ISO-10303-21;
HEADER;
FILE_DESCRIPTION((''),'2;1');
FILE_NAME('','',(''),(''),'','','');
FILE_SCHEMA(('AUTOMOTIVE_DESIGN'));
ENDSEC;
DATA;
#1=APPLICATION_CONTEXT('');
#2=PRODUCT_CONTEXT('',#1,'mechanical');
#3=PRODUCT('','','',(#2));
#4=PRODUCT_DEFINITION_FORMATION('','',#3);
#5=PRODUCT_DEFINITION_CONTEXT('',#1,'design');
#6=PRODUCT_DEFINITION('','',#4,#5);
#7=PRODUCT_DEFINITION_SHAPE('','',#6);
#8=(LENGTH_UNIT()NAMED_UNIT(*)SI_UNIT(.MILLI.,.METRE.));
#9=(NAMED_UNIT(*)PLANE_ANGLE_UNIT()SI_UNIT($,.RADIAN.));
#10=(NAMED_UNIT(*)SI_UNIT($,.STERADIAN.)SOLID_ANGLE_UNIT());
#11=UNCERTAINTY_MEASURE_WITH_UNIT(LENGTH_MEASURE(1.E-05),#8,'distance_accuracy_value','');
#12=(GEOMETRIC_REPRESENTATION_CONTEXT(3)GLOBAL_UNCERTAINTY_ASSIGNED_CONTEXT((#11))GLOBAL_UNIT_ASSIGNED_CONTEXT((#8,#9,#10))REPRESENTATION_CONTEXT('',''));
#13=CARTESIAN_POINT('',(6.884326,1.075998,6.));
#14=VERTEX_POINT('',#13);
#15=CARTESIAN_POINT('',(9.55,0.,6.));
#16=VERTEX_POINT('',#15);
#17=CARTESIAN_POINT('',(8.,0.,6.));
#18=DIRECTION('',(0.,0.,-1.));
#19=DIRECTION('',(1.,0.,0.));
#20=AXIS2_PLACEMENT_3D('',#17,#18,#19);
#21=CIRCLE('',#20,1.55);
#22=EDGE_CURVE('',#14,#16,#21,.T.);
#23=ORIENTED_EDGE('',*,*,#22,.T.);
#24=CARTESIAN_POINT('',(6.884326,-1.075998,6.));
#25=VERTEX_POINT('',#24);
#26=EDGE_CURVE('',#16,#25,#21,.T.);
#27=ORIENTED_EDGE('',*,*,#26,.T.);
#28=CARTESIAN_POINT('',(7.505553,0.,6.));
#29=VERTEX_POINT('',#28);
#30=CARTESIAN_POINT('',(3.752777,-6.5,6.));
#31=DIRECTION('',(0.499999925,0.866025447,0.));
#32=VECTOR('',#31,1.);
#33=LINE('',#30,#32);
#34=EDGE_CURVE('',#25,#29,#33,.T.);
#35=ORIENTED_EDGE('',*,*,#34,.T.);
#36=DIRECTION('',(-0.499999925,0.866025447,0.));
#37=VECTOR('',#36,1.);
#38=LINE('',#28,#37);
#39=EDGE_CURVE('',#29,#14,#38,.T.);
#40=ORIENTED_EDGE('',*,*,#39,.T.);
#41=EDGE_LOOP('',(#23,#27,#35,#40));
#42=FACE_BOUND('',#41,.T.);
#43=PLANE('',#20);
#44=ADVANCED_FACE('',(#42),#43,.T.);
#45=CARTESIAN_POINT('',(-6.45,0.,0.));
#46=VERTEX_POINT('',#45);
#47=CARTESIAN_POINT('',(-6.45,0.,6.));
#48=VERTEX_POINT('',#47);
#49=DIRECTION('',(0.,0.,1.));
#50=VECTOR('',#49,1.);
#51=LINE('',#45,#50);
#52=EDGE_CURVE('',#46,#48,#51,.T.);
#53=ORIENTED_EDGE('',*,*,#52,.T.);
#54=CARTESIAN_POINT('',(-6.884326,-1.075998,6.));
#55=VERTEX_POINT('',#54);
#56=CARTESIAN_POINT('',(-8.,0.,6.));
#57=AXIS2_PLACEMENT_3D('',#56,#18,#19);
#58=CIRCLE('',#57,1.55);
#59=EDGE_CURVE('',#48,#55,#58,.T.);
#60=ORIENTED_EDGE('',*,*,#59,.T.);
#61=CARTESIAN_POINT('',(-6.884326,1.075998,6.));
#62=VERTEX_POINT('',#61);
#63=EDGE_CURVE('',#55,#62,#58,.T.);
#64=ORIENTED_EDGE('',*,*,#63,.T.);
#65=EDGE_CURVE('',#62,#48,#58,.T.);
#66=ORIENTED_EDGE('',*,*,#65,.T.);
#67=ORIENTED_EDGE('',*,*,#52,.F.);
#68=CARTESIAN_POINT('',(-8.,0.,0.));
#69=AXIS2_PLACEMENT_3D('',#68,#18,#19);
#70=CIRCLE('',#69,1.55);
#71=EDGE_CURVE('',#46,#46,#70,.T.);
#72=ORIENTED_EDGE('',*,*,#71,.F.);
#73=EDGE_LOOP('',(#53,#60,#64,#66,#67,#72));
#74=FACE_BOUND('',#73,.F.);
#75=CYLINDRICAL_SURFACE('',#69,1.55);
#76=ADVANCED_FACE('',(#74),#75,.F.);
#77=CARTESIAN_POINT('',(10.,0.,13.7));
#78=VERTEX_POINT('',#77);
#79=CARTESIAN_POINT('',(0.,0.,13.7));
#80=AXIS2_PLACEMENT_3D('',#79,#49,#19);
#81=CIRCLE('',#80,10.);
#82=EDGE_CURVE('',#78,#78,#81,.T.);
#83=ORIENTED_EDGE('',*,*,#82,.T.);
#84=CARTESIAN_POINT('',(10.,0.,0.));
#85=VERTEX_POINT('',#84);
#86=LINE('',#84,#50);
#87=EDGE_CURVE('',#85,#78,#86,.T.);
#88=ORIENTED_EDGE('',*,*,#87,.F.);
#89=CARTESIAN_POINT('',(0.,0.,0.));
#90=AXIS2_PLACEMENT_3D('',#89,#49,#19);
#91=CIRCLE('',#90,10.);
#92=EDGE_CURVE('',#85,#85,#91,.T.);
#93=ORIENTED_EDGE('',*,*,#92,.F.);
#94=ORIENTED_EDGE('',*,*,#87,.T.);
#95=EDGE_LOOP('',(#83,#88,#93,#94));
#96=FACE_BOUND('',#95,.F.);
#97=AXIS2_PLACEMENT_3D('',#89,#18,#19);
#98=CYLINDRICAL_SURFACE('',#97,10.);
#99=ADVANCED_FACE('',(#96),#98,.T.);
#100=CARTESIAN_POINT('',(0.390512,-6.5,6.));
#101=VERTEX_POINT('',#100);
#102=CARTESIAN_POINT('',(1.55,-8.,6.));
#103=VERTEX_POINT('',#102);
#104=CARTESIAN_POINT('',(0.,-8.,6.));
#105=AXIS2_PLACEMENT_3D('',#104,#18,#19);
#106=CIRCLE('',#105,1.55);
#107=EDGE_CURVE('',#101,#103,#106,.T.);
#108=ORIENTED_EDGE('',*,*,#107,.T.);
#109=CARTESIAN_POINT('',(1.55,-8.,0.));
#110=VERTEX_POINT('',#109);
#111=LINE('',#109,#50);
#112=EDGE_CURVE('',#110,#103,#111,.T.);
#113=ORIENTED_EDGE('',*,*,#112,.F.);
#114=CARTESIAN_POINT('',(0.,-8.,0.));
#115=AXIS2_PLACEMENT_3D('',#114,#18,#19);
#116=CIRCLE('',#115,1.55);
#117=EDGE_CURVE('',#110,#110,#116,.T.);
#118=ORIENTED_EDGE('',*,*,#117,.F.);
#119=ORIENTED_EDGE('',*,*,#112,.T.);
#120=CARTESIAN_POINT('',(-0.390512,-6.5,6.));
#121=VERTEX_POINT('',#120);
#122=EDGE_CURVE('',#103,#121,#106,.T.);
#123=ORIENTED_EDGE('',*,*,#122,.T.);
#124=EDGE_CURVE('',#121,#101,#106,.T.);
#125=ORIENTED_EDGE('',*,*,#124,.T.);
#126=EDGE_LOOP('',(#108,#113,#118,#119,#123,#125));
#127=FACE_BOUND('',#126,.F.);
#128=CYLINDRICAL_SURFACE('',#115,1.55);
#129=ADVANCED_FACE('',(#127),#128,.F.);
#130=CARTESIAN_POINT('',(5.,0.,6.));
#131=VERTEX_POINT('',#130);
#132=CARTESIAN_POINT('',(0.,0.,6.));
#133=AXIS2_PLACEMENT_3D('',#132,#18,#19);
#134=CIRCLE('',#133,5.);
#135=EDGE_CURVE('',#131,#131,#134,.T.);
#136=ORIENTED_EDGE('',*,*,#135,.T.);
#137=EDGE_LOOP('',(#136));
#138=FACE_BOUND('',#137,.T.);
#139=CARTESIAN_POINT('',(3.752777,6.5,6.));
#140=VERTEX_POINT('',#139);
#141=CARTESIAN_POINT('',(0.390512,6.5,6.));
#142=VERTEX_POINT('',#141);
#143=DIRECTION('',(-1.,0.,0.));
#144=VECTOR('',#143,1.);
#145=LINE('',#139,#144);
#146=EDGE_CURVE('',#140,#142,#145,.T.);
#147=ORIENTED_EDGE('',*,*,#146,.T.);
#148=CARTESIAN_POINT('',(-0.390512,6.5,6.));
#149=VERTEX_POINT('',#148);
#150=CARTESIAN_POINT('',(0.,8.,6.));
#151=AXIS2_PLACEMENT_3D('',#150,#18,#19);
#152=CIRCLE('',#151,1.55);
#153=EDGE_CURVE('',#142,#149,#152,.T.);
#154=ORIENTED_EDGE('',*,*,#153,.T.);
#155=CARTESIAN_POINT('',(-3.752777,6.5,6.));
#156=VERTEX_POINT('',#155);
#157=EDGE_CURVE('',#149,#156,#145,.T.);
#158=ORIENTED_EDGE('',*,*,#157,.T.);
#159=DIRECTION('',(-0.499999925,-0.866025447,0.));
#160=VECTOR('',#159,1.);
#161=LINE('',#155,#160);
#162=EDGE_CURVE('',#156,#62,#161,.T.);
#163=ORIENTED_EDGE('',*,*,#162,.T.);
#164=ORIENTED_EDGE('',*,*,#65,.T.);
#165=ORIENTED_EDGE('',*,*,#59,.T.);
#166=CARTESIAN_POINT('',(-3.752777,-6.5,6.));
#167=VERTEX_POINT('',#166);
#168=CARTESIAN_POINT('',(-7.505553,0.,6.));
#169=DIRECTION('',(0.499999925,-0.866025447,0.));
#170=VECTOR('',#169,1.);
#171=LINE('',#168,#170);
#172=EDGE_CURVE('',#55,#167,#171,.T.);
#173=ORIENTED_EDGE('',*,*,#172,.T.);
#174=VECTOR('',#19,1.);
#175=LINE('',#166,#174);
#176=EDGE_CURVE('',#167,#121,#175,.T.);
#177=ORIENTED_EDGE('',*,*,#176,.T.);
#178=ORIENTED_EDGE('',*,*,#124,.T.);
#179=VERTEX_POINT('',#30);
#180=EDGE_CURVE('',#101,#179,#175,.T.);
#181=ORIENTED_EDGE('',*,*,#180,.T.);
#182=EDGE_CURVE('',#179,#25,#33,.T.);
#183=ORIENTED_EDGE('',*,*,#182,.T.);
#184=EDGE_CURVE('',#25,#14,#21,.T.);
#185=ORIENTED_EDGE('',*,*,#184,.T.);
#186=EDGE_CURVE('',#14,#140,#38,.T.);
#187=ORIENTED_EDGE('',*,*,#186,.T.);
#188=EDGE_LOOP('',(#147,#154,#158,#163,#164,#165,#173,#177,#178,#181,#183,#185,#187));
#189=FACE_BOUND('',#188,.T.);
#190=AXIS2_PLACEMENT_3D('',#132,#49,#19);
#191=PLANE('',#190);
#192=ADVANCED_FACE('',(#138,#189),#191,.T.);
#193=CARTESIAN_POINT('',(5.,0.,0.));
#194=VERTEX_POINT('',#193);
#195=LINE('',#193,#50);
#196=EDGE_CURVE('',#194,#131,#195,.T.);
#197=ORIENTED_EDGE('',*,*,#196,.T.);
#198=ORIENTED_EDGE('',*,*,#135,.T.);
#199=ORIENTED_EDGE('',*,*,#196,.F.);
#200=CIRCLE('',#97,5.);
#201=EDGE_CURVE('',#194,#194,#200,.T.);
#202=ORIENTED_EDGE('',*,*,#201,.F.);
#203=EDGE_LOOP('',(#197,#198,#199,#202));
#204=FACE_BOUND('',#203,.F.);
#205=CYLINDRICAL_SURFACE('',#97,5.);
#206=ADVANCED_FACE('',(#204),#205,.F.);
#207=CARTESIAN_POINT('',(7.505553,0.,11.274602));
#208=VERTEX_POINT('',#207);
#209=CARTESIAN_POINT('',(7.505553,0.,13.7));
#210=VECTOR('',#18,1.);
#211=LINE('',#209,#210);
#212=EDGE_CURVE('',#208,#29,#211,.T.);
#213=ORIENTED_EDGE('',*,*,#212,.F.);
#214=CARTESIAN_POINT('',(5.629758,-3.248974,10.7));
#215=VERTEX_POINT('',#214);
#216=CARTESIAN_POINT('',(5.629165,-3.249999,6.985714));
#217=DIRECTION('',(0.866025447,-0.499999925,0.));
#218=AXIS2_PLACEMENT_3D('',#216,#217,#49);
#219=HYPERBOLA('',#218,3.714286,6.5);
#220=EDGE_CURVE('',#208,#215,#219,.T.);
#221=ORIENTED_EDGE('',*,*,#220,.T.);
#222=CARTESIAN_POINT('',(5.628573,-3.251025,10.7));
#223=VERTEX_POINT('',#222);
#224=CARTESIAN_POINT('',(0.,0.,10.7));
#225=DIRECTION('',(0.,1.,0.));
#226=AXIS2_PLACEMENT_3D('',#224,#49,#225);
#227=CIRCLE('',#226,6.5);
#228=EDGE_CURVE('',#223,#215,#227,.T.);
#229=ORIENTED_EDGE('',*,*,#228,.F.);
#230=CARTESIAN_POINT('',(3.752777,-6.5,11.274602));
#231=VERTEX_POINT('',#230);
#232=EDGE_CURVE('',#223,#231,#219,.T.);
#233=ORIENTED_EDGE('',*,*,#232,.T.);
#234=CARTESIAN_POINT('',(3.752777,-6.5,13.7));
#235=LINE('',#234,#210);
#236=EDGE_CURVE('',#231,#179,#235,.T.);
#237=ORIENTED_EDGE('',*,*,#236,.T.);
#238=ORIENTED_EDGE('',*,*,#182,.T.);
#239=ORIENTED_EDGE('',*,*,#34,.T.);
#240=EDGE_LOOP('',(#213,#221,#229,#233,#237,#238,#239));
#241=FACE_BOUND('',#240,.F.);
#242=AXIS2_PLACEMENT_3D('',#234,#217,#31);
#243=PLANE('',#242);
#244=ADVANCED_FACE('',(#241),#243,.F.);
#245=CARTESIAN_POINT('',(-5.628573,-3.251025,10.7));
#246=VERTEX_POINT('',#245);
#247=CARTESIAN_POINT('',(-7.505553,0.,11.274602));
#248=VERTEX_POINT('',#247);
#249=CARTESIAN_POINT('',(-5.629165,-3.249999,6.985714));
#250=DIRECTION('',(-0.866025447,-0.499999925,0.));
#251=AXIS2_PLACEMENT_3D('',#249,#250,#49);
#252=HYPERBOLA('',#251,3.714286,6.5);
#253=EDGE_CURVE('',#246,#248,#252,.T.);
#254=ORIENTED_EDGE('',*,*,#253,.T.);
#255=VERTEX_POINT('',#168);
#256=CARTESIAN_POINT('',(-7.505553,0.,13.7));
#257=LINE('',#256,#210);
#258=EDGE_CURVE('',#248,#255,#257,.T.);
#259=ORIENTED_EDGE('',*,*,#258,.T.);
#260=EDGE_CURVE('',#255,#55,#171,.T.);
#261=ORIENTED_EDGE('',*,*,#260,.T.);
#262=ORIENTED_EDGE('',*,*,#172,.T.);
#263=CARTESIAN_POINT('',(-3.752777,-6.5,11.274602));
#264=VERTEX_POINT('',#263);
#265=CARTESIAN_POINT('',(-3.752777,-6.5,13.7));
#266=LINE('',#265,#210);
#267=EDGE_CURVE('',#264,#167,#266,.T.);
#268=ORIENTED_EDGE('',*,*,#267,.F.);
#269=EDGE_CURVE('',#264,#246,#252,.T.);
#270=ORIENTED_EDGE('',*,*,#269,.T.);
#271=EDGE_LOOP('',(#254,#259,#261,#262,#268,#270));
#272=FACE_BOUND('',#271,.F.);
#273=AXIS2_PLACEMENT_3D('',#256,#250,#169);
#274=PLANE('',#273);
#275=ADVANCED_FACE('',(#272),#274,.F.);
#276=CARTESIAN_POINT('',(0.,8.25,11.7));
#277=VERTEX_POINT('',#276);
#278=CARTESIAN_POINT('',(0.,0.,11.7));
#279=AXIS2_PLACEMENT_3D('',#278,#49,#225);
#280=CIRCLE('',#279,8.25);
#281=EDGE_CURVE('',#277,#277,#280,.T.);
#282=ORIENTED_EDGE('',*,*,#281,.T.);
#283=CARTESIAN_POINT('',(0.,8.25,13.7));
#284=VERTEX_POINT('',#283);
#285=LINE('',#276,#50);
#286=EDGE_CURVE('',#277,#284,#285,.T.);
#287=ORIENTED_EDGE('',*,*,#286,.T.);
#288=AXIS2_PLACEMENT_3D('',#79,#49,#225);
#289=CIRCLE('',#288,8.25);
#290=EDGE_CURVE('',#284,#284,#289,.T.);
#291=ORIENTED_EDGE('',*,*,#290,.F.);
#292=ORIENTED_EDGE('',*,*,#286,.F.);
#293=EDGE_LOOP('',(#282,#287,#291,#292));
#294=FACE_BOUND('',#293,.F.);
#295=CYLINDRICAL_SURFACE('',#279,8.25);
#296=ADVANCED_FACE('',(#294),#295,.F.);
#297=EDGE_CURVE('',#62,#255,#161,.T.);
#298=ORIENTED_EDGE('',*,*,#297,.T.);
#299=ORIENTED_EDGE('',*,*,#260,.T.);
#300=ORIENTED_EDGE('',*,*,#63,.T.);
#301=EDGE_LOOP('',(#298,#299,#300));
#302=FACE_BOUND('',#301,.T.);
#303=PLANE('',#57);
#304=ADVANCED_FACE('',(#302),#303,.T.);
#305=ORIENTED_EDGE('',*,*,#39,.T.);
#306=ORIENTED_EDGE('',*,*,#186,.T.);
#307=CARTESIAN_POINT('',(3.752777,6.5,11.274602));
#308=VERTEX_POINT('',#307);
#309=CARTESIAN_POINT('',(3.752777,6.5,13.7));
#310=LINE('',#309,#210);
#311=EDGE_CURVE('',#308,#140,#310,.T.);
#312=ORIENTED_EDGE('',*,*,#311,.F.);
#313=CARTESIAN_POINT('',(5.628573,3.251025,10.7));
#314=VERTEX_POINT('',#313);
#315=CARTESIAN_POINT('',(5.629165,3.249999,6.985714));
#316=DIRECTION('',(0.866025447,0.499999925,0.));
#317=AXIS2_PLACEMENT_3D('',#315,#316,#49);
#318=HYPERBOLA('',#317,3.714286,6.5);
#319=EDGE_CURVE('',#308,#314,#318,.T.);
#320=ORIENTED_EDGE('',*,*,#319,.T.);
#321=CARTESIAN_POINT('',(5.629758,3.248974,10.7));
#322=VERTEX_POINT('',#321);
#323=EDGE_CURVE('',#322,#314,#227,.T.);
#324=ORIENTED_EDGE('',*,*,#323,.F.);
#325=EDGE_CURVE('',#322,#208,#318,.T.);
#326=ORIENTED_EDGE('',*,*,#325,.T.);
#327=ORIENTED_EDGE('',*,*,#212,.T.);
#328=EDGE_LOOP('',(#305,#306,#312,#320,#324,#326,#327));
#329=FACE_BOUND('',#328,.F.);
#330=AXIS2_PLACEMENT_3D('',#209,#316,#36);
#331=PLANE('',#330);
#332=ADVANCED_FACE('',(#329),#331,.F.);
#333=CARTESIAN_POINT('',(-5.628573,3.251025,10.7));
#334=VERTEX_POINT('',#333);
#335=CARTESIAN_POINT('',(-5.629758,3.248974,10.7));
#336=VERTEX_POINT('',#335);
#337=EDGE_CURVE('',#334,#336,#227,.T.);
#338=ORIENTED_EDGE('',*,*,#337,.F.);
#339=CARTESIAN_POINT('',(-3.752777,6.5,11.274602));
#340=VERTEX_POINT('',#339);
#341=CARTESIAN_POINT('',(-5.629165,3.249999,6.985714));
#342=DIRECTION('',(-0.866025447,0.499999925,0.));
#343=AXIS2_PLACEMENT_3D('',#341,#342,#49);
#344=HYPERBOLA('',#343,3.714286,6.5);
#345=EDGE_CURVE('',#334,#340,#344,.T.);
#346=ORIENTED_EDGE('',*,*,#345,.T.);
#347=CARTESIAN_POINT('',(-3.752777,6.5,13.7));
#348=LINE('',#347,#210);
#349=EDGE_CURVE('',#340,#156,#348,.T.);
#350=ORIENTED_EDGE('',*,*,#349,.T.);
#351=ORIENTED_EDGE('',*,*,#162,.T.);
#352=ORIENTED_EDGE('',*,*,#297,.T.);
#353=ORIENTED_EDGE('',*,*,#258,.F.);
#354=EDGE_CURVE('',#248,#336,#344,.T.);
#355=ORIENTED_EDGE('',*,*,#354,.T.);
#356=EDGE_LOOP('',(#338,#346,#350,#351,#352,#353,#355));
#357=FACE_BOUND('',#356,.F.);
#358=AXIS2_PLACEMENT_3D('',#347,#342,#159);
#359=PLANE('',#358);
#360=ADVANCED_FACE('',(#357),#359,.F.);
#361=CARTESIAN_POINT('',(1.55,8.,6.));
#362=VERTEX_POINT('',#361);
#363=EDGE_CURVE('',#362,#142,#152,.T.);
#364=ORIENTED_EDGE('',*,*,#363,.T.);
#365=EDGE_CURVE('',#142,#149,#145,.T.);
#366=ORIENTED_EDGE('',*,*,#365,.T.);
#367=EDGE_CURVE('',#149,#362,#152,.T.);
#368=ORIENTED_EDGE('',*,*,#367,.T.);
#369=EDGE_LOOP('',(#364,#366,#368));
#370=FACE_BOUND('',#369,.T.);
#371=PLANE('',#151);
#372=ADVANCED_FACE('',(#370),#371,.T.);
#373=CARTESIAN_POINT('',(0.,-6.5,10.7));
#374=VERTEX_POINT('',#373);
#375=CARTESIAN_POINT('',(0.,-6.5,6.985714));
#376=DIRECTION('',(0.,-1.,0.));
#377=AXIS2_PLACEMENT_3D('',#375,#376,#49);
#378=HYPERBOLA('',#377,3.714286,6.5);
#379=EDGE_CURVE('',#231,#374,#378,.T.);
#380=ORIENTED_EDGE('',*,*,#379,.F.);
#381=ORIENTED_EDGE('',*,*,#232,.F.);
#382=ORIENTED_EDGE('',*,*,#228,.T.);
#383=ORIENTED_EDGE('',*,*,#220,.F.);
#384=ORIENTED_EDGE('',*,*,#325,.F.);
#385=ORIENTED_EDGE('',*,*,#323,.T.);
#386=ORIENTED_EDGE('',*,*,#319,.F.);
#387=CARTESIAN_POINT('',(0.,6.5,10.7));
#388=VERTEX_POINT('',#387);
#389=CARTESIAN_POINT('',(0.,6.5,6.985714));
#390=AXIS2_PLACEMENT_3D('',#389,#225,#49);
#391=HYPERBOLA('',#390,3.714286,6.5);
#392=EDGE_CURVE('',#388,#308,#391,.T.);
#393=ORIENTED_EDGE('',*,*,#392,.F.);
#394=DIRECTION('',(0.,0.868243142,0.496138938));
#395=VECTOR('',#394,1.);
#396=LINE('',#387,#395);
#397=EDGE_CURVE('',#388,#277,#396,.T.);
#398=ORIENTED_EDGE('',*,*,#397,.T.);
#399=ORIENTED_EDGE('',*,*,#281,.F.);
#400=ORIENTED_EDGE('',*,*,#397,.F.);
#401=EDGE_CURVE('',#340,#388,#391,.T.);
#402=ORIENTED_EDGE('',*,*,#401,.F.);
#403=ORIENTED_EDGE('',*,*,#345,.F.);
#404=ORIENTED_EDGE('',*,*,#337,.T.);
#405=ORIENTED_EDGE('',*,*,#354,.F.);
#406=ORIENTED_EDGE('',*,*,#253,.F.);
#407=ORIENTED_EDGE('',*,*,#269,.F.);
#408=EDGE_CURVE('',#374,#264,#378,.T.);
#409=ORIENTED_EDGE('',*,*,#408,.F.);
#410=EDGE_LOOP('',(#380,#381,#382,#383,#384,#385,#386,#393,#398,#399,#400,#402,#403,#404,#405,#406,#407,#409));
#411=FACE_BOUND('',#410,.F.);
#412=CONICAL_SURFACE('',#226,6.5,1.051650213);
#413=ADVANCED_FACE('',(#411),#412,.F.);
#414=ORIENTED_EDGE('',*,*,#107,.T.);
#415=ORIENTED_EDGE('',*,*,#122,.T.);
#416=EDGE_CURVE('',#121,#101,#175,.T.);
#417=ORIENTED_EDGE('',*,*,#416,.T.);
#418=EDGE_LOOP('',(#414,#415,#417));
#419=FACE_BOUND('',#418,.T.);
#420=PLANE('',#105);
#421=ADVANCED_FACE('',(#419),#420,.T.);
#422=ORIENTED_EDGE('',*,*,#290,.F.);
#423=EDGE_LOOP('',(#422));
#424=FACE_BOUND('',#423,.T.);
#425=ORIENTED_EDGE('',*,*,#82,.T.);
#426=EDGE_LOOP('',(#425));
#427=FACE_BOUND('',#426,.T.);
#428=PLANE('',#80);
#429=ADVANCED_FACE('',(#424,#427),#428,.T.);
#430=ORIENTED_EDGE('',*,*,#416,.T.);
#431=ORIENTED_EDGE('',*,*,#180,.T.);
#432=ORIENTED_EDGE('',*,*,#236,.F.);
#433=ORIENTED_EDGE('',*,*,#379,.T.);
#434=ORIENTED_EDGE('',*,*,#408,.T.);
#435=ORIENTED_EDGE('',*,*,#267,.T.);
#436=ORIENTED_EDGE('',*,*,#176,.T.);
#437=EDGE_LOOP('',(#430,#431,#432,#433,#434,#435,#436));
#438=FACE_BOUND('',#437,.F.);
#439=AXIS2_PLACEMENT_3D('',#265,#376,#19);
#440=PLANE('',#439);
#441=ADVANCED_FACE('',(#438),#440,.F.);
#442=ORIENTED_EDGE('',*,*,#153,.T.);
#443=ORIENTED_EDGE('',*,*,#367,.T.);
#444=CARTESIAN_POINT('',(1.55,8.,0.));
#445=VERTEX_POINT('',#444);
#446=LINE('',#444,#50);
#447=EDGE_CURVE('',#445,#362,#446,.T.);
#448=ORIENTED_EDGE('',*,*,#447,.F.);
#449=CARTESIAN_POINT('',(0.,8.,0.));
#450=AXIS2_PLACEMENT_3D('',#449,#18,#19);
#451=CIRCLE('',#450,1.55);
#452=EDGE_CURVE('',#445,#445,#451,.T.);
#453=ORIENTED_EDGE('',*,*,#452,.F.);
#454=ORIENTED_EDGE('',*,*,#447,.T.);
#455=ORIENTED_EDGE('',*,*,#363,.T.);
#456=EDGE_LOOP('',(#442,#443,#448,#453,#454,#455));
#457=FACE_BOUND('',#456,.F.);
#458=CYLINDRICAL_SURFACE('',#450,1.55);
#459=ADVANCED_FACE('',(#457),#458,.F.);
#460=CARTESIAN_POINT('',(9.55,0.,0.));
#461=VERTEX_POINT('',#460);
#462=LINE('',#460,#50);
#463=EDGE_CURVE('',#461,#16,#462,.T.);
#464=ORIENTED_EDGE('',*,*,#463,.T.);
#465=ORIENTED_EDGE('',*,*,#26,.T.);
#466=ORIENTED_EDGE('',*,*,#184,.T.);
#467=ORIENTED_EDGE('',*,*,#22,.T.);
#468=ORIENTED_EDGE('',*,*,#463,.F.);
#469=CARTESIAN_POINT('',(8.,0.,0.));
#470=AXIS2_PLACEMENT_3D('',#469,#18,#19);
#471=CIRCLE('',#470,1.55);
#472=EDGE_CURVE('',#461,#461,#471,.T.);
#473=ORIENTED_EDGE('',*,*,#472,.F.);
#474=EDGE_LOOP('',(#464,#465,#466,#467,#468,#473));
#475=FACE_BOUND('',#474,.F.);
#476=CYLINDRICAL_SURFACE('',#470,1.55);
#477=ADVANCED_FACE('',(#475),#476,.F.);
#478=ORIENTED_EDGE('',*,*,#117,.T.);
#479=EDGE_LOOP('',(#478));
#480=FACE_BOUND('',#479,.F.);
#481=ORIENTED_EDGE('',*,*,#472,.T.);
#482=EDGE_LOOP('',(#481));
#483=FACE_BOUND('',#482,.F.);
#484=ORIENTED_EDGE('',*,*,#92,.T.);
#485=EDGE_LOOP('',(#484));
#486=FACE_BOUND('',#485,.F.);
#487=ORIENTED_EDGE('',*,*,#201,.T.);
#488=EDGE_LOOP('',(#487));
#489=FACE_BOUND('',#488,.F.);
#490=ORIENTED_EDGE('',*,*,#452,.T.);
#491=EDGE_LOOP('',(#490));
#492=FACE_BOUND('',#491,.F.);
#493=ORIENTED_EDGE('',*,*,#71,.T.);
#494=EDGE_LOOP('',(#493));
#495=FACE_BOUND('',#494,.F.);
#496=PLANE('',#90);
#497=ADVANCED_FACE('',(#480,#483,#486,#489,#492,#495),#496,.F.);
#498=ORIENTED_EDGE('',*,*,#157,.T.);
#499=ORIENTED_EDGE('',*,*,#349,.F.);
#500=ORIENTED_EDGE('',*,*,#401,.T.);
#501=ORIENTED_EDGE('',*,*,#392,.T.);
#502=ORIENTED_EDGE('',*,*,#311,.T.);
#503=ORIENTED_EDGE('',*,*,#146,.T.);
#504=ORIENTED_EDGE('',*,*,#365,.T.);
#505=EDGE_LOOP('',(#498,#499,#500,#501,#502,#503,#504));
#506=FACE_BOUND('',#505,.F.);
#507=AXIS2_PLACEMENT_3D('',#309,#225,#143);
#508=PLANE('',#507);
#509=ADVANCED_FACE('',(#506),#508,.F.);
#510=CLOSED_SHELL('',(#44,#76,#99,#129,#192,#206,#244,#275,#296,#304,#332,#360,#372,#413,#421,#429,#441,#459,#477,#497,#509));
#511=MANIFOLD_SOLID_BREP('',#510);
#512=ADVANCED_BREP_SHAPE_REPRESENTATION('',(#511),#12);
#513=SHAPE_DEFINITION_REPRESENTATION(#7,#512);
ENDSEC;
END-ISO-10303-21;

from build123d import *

# Parameters (mm, degrees)
F0_R     = 10
F1_DEPTH = 13.7
F3_DEPTH = 7.7
F5_R     = 1.55
F6_DEPTH = 6
F8_R     = 5
F9_DEPTH = 25


with BuildPart() as f1:
    # F0 (on Top) → F1 (new body)
    with BuildSketch(Plane.XY):
        Circle(F0_R)
    extrude(amount=F1_DEPTH)

    # F2 (on face) → F3 (cut)
    with BuildSketch(Plane.XY.offset(13.7)):
        Polygon((3.752777, 6.5), (-3.752777, 6.5), (-7.505553, 0), (-3.752777, -6.5), (3.752777, -6.5), (7.505553, 0), align=None)
    extrude(amount=-F3_DEPTH, mode=Mode.SUBTRACT)

    # F5 (on face) → F6 (cut)
    with BuildSketch(Plane(origin=(0, 0, 0), x_dir=(1, 0, 0), z_dir=(0, 0, -1))):
        with Locations((0, 8)):
            Circle(F5_R)
        with Locations((0, -8)):
            Circle(F5_R)
        with Locations((8, 0)):
            Circle(F5_R)
        with Locations((-8, 0)):
            Circle(F5_R)
    extrude(amount=-F6_DEPTH, mode=Mode.SUBTRACT)

    # F4 (on Right) → F7 (revolve, cut)
    with BuildSketch(Plane.YZ):
        Polygon((8.25, 13.7), (0, 13.7), (0, 10.7), (6.5, 10.7), (8.25, 11.7), align=None)
    revolve(axis=Axis((0, 0, 12.2), (0, 0, 1)), mode=Mode.SUBTRACT)

    # F8 (on face) → F9 (cut)
    with BuildSketch(Plane(origin=(0, 0, 0), x_dir=(1, 0, 0), z_dir=(0, 0, -1))):
        Circle(F8_R)
    extrude(amount=-F9_DEPTH, mode=Mode.SUBTRACT)


solid = f1.part
